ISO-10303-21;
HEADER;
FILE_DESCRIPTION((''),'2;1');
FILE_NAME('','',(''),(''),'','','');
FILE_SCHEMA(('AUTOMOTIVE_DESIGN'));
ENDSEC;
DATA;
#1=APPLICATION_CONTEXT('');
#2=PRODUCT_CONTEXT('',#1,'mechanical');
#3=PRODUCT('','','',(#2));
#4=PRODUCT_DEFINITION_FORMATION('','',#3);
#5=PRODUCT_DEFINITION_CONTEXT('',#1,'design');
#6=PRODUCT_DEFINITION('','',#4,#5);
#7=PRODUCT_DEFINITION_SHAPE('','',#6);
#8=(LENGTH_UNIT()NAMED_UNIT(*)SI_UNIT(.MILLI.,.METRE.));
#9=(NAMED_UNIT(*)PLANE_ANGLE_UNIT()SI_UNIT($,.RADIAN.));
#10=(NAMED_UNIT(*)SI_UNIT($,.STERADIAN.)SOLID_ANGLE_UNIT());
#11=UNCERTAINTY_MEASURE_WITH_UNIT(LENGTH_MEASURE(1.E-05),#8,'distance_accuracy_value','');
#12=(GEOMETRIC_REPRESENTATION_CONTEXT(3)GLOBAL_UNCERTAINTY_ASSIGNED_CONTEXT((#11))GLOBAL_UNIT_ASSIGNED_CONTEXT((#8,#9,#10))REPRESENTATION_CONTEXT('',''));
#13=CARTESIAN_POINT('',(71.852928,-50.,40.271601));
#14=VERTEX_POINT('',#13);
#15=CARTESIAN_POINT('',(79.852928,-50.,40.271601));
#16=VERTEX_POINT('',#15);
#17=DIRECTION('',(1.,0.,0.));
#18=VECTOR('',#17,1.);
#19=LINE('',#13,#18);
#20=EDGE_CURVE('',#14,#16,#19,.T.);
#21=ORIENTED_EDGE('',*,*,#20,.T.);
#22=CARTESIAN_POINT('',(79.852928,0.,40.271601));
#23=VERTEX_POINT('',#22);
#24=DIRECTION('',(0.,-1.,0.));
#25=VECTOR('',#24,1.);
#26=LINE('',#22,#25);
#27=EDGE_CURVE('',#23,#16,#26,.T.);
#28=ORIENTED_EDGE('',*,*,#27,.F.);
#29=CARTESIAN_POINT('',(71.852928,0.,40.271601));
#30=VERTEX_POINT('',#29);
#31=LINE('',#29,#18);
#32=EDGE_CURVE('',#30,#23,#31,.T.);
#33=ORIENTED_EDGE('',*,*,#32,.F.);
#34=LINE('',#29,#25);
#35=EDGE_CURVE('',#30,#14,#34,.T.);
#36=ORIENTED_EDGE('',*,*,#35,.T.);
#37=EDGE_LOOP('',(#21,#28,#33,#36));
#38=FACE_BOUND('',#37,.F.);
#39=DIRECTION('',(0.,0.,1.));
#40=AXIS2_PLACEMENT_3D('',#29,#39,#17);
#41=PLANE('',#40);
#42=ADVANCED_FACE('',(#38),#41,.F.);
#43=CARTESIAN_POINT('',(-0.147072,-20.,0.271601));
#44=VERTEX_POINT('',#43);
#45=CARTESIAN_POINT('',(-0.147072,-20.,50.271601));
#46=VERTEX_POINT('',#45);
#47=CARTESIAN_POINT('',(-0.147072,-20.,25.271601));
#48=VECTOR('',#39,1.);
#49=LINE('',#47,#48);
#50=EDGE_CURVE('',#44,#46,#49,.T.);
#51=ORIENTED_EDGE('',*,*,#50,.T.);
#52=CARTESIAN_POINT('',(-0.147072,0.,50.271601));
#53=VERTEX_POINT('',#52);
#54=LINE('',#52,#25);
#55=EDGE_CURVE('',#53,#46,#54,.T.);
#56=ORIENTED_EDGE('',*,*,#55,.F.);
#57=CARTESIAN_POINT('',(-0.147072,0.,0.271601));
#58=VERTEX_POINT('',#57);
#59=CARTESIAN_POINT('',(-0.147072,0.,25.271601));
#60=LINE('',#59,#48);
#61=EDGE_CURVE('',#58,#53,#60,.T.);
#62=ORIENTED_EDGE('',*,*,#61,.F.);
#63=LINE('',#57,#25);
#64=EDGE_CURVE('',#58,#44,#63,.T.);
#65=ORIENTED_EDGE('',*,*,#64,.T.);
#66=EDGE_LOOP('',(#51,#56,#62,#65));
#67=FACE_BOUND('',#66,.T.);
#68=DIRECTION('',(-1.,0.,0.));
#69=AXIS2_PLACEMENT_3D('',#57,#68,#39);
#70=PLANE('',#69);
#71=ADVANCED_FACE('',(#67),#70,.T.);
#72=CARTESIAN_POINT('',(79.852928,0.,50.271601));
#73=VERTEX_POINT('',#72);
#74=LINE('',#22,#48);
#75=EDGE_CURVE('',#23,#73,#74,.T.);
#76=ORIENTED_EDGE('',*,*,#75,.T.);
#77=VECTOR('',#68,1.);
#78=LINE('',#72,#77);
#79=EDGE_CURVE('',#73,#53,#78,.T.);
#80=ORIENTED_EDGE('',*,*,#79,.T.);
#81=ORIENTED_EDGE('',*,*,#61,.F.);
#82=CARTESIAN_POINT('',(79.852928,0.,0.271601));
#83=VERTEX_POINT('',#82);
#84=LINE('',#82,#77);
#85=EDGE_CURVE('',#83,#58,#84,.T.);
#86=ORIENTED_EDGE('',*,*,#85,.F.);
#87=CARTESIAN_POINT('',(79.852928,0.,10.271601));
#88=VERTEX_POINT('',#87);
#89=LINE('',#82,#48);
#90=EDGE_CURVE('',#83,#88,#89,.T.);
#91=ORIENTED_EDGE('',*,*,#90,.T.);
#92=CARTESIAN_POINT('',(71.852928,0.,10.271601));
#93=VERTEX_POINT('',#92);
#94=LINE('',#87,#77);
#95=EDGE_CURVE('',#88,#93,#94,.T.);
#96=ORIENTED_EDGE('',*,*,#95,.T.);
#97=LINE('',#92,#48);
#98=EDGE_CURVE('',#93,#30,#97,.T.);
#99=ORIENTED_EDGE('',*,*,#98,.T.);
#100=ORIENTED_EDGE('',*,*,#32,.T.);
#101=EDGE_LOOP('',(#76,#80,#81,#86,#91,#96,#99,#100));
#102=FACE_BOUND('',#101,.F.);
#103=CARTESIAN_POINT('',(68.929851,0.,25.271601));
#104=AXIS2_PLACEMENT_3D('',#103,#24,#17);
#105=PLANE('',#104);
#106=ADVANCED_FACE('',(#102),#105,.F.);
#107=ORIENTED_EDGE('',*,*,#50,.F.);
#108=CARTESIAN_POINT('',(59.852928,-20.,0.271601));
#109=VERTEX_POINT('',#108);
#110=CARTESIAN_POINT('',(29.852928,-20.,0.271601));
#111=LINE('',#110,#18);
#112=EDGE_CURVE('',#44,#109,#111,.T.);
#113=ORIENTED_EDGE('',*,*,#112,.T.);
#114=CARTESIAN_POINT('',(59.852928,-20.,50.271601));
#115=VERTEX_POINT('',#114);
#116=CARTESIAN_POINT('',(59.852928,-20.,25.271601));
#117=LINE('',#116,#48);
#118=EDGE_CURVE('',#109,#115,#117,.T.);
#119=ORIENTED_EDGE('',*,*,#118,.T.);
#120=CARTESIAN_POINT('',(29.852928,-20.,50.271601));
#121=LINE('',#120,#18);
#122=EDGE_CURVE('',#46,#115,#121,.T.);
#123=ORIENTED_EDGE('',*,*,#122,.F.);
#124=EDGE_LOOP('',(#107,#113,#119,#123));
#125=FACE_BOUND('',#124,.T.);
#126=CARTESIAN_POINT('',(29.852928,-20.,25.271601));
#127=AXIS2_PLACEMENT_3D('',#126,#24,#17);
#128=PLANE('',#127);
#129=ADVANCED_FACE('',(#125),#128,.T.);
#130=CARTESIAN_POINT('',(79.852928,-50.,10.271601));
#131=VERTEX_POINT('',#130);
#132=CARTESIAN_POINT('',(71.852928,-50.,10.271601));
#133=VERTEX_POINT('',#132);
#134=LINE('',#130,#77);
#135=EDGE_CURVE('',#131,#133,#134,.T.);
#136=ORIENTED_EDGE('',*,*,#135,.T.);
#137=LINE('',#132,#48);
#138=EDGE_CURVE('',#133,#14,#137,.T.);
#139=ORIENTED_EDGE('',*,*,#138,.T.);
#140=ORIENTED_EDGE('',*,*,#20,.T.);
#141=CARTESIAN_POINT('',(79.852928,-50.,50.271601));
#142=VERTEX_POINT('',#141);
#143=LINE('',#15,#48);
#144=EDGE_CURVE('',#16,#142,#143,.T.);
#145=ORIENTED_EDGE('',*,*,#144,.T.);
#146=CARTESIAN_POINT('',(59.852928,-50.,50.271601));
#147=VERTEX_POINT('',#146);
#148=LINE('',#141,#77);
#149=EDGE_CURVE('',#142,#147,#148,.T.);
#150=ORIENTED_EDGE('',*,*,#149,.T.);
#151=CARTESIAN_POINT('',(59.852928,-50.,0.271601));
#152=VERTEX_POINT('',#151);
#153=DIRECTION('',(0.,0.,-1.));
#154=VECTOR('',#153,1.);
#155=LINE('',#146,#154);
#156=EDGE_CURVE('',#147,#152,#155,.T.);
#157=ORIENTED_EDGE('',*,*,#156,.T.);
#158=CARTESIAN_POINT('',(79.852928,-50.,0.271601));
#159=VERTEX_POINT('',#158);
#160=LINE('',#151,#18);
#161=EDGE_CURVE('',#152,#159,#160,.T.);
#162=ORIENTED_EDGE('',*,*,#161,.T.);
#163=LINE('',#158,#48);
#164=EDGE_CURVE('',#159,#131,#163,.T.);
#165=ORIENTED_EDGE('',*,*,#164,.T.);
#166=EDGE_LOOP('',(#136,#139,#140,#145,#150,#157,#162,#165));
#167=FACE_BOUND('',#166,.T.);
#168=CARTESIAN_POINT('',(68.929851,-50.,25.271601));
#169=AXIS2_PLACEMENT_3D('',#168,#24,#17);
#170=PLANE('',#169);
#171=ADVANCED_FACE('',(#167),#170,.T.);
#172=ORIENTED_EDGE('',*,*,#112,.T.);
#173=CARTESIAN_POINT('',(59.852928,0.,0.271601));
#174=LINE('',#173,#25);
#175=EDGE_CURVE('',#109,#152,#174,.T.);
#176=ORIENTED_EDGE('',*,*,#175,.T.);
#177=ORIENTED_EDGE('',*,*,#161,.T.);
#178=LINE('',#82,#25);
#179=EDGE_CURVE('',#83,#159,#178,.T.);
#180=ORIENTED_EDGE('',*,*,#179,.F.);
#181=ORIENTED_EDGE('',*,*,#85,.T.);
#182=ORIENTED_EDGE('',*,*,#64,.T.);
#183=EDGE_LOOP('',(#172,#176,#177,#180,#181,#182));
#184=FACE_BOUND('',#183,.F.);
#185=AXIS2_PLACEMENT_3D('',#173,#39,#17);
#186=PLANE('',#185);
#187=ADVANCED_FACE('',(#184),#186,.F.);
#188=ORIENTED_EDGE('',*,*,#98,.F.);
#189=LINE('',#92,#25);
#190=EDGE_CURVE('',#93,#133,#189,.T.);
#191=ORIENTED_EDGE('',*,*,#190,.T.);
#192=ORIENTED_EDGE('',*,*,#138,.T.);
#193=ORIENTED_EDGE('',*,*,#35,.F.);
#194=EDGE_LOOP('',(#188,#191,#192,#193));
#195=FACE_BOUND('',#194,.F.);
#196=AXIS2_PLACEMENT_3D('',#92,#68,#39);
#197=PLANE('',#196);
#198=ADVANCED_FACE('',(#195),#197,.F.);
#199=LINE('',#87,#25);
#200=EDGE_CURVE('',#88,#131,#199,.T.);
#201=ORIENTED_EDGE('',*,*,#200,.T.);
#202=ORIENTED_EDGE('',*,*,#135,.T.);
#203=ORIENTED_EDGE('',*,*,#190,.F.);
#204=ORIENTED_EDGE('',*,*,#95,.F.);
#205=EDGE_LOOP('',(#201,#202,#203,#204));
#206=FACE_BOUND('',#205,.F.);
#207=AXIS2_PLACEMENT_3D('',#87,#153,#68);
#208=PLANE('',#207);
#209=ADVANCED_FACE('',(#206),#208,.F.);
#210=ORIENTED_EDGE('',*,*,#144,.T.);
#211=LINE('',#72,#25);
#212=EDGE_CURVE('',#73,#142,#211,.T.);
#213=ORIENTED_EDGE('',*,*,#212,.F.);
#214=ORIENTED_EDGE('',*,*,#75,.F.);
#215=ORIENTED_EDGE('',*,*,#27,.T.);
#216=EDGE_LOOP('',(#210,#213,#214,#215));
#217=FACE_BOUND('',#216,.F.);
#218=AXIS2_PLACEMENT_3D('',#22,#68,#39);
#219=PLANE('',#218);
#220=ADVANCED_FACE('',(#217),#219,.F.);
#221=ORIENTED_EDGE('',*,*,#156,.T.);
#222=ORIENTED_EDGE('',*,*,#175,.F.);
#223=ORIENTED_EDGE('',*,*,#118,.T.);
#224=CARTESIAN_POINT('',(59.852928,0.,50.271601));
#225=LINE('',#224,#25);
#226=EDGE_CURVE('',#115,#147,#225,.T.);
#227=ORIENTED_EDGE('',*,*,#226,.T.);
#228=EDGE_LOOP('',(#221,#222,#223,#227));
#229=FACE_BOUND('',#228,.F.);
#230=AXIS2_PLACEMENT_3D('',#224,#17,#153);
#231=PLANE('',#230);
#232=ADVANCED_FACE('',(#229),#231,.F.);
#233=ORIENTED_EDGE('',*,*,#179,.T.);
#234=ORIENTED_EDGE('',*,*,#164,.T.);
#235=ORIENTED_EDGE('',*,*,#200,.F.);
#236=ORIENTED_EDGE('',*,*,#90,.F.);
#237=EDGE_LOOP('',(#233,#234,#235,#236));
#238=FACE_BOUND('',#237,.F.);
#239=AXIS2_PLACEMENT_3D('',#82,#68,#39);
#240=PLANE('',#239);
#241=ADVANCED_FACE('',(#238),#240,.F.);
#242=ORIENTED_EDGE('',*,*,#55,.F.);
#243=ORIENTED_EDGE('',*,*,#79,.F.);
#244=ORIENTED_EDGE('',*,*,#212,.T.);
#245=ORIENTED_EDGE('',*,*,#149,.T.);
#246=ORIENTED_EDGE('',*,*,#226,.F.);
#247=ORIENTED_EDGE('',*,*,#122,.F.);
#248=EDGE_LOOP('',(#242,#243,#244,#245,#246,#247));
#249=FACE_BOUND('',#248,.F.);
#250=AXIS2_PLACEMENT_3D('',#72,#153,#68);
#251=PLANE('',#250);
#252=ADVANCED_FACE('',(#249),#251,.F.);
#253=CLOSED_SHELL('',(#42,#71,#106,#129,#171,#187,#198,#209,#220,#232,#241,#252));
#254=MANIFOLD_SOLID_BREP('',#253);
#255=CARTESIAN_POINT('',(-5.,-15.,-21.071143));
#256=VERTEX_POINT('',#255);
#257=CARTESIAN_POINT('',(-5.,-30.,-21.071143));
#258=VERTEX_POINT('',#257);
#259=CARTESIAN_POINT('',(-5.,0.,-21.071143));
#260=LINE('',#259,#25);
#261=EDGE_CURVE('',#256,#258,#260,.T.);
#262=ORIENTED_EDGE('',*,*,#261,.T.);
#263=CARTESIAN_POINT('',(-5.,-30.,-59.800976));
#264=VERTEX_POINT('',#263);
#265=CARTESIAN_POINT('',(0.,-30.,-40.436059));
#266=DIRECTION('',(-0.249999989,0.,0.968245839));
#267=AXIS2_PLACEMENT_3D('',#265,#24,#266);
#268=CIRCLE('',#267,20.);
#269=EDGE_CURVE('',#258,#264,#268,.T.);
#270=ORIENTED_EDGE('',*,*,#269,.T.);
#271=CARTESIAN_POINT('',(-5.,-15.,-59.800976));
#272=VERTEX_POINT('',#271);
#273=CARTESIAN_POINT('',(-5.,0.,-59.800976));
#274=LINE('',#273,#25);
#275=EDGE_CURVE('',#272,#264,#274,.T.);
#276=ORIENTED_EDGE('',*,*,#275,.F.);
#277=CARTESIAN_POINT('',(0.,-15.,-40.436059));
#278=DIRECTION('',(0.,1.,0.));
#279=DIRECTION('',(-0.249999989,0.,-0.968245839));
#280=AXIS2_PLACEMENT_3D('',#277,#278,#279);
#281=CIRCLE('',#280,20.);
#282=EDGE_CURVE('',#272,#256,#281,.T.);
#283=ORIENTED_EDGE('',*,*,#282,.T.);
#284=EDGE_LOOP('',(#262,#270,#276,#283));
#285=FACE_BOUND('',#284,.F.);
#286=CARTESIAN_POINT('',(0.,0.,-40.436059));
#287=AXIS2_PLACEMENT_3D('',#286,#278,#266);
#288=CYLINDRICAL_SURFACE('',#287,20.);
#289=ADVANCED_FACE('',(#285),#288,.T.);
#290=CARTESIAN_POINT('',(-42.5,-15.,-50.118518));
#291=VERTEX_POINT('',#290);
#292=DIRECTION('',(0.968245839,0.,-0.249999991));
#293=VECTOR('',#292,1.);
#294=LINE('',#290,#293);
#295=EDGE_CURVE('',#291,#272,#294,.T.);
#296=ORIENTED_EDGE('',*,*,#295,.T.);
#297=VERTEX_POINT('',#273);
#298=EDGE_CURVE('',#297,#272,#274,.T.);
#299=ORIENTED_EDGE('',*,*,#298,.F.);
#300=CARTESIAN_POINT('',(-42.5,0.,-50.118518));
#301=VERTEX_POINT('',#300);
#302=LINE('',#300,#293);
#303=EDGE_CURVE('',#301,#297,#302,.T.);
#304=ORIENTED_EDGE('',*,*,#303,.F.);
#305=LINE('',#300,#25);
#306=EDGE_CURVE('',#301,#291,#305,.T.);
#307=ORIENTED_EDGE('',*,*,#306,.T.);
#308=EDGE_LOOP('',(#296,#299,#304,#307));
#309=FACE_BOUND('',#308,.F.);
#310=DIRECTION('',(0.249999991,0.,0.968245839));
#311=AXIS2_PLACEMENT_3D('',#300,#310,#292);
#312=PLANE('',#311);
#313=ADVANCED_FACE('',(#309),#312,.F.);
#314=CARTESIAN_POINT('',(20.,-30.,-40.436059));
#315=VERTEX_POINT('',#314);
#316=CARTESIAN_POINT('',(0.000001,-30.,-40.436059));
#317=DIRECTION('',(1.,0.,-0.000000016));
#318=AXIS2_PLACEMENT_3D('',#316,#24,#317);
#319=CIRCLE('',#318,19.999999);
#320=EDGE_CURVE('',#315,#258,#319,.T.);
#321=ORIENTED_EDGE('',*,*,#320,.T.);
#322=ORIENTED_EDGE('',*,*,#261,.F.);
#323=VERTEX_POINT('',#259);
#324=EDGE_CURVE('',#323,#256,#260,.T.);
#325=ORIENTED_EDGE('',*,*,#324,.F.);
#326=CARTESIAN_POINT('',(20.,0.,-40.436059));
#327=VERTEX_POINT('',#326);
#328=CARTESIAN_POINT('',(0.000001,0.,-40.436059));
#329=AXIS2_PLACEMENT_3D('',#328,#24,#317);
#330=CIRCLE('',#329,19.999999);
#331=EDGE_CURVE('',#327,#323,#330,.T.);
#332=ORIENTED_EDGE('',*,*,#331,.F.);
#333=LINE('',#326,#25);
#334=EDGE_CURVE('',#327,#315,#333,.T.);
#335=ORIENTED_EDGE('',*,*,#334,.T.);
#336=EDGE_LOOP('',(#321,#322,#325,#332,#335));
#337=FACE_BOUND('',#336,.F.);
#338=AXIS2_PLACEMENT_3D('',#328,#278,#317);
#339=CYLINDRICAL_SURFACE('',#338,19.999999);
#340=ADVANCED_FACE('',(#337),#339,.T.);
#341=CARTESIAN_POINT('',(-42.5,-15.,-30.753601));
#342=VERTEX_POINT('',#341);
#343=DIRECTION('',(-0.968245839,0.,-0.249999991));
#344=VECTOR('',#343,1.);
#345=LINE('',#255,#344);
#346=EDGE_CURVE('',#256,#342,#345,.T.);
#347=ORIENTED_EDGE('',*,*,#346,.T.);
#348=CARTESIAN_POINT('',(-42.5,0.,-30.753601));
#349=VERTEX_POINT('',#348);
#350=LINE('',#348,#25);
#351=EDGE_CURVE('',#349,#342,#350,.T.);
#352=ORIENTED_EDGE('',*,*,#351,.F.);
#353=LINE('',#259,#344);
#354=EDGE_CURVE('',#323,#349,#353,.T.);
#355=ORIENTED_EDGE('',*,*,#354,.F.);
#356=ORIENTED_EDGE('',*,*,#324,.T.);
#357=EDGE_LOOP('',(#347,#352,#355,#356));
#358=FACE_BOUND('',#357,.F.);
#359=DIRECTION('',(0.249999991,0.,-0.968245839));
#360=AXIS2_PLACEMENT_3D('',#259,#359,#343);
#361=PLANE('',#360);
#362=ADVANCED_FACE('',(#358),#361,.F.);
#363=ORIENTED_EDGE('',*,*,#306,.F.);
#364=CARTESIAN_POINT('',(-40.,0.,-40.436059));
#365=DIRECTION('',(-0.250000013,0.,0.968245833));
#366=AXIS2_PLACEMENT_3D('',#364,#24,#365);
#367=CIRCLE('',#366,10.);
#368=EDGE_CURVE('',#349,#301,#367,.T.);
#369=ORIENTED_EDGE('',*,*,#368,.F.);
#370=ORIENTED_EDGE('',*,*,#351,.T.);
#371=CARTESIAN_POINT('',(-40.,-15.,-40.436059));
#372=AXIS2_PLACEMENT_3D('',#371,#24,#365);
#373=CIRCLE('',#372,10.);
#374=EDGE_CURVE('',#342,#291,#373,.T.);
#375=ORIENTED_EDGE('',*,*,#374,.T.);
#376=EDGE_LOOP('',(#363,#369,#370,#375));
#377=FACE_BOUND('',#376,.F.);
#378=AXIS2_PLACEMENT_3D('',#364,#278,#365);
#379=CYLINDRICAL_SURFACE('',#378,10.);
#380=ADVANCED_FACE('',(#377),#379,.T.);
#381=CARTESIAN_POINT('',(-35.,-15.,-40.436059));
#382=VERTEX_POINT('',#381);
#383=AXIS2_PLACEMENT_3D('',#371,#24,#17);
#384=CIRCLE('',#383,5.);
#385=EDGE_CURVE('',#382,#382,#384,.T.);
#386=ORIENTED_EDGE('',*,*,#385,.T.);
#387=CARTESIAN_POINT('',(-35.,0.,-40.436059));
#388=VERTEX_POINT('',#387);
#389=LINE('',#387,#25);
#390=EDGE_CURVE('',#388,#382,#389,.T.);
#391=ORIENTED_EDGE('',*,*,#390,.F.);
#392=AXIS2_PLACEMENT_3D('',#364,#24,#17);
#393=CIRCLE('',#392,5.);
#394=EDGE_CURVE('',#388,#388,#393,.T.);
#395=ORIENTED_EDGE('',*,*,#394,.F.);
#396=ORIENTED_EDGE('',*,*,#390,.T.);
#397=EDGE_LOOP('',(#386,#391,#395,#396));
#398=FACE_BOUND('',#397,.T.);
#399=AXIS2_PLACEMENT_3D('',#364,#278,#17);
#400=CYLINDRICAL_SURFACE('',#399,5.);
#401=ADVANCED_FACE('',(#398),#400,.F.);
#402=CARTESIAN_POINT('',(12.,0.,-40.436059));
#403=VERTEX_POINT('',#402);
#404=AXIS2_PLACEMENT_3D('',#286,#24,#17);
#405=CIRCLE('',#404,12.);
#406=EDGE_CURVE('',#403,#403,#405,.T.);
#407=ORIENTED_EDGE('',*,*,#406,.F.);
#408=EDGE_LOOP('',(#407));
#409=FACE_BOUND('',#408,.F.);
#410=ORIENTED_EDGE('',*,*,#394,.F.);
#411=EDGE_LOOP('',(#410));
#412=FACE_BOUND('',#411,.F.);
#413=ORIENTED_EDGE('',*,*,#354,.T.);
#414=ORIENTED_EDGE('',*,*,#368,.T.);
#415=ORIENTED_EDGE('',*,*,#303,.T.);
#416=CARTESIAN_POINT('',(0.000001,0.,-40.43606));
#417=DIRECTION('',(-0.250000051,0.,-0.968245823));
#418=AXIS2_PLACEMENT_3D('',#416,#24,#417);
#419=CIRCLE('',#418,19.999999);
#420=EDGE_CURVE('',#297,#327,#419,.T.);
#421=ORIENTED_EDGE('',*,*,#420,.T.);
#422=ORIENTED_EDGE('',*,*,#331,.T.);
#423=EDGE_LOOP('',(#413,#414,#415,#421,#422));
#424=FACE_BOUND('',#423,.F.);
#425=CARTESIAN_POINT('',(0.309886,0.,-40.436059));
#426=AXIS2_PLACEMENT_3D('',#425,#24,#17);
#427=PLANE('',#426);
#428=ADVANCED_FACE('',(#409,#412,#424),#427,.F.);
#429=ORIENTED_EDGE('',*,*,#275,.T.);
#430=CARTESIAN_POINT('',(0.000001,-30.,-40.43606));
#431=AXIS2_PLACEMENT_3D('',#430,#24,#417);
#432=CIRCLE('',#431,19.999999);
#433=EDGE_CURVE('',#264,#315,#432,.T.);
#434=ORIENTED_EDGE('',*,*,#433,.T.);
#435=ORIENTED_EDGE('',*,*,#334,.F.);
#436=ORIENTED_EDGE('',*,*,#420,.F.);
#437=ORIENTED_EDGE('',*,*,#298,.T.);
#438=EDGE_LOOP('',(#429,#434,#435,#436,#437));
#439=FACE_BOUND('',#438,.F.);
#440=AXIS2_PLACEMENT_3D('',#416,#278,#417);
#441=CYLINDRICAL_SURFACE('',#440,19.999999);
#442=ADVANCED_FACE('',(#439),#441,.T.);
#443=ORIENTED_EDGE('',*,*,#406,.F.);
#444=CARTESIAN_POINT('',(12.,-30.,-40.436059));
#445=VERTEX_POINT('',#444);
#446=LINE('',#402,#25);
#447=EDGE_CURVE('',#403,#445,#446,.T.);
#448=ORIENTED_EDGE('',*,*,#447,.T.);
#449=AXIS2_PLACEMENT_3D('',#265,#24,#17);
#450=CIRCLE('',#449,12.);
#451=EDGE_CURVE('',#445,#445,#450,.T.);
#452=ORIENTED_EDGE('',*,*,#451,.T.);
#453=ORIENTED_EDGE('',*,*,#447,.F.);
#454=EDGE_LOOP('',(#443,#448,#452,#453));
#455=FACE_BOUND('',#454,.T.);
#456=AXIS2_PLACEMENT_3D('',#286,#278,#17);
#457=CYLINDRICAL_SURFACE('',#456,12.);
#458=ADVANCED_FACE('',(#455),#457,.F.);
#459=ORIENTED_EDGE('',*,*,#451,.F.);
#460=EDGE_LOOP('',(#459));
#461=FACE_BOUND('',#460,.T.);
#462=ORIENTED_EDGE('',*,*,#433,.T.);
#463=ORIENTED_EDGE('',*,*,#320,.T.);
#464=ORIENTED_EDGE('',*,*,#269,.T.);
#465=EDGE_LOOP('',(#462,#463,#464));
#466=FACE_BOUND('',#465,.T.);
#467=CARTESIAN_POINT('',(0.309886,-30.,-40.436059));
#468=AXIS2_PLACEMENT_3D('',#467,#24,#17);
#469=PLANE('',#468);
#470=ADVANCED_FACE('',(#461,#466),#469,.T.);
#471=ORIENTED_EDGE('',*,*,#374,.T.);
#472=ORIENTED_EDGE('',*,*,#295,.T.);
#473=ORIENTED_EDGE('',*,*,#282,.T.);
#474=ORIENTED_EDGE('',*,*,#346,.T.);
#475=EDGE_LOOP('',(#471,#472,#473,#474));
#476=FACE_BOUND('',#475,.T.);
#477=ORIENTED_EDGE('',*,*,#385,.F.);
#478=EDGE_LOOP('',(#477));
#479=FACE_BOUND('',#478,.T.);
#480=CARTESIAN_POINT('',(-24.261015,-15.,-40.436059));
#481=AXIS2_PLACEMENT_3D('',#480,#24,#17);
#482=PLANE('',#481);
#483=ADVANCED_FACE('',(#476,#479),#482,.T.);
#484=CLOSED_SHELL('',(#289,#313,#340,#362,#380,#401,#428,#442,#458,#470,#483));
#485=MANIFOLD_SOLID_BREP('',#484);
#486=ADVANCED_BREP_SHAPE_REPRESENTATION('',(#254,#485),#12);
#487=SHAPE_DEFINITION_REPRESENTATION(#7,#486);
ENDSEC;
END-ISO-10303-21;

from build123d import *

# Parameters (mm, degrees)
F0_W     = 60
F0_H     = 50
F1_DEPTH = 20
F2_DEPTH = 50
F0_R     = 5
F3_DEPTH = 15
F0_R_2   = 12
F4_DEPTH = 30


with BuildPart() as f1:
    # F0 (on Front) → F1 (new body)
    with BuildSketch(Plane.XZ):
        with Locations((29.852928, 25.271601)):
            Rectangle(F0_W, F0_H)
    extrude(amount=F1_DEPTH)

    # F0 (on Front) → F2 (join)
    with BuildSketch(Plane.XZ):
        Polygon((79.852928, 50.271601), (59.852928, 50.271601), (59.852928, 0.271601), (79.852928, 0.271601), (79.852928, 10.271601), (71.852928, 10.271601), (71.852928, 40.271601), (79.852928, 40.271601), align=None)
    extrude(amount=F2_DEPTH)


with BuildPart() as f3:
    # F0 (on Front) → F3 (new body)
    with BuildSketch(Plane.XZ):
        with BuildLine():
            Line((-5, -21.071143), (-42.5, -30.753601))
            ThreePointArc((-42.5, -30.753601), (-50, -40.436059), (-42.5, -50.118518))
            Line((-42.5, -50.118518), (-5, -59.800976))
            ThreePointArc((-5, -59.800976), (-20, -40.436059), (-5, -21.071143))
        make_face()
        with Locations((-40, -40.436059)):
            Circle(F0_R, mode=Mode.SUBTRACT)
    extrude(amount=F3_DEPTH)

    # F0 (on Front) → F4 (join)
    with BuildSketch(Plane.XZ):
        with BuildLine():
            ThreePointArc((20, -40.436059), (12.247449, -24.624671), (-5, -21.071143))
            ThreePointArc((-5, -21.071143), (-20, -40.436059), (-5, -59.800976))
            ThreePointArc((-5, -59.800976), (12.247449, -56.247448), (20, -40.436059))
        make_face()
        with Locations((0, -40.436059)):
            Circle(F0_R_2, mode=Mode.SUBTRACT)
    extrude(amount=F4_DEPTH)


solid = Compound([f1.part, f3.part])
